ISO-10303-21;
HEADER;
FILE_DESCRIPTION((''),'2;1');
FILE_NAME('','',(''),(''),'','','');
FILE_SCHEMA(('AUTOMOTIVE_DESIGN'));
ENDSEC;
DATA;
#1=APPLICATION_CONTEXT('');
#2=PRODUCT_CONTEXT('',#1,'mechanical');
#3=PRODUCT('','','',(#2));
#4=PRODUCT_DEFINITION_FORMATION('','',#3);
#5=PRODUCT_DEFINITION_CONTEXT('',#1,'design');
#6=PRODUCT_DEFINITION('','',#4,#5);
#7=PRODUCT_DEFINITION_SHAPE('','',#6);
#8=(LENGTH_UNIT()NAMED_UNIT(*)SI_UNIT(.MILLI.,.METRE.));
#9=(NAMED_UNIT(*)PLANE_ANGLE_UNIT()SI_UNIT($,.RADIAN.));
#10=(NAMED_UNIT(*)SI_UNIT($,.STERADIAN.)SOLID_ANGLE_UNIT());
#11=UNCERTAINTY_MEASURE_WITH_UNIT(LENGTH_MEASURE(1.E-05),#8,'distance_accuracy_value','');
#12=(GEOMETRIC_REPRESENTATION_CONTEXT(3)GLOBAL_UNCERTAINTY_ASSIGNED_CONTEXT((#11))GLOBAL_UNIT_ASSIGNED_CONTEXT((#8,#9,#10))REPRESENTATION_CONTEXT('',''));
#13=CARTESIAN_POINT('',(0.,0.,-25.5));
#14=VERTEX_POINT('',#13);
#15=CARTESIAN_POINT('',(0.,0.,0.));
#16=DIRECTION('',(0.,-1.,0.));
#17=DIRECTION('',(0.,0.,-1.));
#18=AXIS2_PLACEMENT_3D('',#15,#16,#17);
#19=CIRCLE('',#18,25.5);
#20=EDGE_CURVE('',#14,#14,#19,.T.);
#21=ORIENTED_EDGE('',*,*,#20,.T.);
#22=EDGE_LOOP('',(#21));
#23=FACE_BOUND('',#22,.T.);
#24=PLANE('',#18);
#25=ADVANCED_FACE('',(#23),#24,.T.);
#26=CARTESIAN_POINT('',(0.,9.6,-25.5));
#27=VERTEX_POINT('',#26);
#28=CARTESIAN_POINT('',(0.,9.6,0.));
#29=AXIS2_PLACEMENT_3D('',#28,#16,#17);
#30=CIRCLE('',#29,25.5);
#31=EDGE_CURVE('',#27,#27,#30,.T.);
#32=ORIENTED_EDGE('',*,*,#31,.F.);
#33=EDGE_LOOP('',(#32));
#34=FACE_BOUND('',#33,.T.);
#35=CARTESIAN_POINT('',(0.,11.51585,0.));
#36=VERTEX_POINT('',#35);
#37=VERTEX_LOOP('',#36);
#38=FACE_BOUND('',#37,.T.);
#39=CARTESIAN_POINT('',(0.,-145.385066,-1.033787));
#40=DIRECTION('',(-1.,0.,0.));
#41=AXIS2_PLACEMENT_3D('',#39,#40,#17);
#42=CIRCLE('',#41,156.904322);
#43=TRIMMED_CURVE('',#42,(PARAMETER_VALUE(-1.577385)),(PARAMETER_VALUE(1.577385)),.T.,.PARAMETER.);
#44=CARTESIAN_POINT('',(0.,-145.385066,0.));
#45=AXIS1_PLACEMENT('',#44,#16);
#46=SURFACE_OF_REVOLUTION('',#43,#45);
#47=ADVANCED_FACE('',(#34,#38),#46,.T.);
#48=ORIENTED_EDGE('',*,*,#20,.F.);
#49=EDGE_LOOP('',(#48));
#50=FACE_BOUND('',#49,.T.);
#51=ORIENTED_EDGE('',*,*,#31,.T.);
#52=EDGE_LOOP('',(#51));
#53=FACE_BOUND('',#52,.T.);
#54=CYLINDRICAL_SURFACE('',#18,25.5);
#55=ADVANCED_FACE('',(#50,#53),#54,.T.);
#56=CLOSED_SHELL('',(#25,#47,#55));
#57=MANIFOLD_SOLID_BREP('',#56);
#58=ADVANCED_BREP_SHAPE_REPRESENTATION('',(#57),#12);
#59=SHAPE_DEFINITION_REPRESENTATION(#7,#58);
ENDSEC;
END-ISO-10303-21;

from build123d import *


with BuildPart() as part:
    # Skizze3 → Rotation1 (revolve)
    with BuildSketch(Plane(origin=(0, 0, 0), x_dir=(0, 0, -1), z_dir=(1, 0, 0))):
        with BuildLine():
            Line((0, 0), (25.5, 0))
            Line((25.5, 0), (25.5, 9.6))
            ThreePointArc((25.5, 9.6), (12.789095065, 11.078281144), (0, 11.515850372))
            Line((0, 11.515850372), (0, 0))
        make_face()
    revolve(axis=Axis((0, 0, 0), (0, 1, 0)))


solid = part.part
